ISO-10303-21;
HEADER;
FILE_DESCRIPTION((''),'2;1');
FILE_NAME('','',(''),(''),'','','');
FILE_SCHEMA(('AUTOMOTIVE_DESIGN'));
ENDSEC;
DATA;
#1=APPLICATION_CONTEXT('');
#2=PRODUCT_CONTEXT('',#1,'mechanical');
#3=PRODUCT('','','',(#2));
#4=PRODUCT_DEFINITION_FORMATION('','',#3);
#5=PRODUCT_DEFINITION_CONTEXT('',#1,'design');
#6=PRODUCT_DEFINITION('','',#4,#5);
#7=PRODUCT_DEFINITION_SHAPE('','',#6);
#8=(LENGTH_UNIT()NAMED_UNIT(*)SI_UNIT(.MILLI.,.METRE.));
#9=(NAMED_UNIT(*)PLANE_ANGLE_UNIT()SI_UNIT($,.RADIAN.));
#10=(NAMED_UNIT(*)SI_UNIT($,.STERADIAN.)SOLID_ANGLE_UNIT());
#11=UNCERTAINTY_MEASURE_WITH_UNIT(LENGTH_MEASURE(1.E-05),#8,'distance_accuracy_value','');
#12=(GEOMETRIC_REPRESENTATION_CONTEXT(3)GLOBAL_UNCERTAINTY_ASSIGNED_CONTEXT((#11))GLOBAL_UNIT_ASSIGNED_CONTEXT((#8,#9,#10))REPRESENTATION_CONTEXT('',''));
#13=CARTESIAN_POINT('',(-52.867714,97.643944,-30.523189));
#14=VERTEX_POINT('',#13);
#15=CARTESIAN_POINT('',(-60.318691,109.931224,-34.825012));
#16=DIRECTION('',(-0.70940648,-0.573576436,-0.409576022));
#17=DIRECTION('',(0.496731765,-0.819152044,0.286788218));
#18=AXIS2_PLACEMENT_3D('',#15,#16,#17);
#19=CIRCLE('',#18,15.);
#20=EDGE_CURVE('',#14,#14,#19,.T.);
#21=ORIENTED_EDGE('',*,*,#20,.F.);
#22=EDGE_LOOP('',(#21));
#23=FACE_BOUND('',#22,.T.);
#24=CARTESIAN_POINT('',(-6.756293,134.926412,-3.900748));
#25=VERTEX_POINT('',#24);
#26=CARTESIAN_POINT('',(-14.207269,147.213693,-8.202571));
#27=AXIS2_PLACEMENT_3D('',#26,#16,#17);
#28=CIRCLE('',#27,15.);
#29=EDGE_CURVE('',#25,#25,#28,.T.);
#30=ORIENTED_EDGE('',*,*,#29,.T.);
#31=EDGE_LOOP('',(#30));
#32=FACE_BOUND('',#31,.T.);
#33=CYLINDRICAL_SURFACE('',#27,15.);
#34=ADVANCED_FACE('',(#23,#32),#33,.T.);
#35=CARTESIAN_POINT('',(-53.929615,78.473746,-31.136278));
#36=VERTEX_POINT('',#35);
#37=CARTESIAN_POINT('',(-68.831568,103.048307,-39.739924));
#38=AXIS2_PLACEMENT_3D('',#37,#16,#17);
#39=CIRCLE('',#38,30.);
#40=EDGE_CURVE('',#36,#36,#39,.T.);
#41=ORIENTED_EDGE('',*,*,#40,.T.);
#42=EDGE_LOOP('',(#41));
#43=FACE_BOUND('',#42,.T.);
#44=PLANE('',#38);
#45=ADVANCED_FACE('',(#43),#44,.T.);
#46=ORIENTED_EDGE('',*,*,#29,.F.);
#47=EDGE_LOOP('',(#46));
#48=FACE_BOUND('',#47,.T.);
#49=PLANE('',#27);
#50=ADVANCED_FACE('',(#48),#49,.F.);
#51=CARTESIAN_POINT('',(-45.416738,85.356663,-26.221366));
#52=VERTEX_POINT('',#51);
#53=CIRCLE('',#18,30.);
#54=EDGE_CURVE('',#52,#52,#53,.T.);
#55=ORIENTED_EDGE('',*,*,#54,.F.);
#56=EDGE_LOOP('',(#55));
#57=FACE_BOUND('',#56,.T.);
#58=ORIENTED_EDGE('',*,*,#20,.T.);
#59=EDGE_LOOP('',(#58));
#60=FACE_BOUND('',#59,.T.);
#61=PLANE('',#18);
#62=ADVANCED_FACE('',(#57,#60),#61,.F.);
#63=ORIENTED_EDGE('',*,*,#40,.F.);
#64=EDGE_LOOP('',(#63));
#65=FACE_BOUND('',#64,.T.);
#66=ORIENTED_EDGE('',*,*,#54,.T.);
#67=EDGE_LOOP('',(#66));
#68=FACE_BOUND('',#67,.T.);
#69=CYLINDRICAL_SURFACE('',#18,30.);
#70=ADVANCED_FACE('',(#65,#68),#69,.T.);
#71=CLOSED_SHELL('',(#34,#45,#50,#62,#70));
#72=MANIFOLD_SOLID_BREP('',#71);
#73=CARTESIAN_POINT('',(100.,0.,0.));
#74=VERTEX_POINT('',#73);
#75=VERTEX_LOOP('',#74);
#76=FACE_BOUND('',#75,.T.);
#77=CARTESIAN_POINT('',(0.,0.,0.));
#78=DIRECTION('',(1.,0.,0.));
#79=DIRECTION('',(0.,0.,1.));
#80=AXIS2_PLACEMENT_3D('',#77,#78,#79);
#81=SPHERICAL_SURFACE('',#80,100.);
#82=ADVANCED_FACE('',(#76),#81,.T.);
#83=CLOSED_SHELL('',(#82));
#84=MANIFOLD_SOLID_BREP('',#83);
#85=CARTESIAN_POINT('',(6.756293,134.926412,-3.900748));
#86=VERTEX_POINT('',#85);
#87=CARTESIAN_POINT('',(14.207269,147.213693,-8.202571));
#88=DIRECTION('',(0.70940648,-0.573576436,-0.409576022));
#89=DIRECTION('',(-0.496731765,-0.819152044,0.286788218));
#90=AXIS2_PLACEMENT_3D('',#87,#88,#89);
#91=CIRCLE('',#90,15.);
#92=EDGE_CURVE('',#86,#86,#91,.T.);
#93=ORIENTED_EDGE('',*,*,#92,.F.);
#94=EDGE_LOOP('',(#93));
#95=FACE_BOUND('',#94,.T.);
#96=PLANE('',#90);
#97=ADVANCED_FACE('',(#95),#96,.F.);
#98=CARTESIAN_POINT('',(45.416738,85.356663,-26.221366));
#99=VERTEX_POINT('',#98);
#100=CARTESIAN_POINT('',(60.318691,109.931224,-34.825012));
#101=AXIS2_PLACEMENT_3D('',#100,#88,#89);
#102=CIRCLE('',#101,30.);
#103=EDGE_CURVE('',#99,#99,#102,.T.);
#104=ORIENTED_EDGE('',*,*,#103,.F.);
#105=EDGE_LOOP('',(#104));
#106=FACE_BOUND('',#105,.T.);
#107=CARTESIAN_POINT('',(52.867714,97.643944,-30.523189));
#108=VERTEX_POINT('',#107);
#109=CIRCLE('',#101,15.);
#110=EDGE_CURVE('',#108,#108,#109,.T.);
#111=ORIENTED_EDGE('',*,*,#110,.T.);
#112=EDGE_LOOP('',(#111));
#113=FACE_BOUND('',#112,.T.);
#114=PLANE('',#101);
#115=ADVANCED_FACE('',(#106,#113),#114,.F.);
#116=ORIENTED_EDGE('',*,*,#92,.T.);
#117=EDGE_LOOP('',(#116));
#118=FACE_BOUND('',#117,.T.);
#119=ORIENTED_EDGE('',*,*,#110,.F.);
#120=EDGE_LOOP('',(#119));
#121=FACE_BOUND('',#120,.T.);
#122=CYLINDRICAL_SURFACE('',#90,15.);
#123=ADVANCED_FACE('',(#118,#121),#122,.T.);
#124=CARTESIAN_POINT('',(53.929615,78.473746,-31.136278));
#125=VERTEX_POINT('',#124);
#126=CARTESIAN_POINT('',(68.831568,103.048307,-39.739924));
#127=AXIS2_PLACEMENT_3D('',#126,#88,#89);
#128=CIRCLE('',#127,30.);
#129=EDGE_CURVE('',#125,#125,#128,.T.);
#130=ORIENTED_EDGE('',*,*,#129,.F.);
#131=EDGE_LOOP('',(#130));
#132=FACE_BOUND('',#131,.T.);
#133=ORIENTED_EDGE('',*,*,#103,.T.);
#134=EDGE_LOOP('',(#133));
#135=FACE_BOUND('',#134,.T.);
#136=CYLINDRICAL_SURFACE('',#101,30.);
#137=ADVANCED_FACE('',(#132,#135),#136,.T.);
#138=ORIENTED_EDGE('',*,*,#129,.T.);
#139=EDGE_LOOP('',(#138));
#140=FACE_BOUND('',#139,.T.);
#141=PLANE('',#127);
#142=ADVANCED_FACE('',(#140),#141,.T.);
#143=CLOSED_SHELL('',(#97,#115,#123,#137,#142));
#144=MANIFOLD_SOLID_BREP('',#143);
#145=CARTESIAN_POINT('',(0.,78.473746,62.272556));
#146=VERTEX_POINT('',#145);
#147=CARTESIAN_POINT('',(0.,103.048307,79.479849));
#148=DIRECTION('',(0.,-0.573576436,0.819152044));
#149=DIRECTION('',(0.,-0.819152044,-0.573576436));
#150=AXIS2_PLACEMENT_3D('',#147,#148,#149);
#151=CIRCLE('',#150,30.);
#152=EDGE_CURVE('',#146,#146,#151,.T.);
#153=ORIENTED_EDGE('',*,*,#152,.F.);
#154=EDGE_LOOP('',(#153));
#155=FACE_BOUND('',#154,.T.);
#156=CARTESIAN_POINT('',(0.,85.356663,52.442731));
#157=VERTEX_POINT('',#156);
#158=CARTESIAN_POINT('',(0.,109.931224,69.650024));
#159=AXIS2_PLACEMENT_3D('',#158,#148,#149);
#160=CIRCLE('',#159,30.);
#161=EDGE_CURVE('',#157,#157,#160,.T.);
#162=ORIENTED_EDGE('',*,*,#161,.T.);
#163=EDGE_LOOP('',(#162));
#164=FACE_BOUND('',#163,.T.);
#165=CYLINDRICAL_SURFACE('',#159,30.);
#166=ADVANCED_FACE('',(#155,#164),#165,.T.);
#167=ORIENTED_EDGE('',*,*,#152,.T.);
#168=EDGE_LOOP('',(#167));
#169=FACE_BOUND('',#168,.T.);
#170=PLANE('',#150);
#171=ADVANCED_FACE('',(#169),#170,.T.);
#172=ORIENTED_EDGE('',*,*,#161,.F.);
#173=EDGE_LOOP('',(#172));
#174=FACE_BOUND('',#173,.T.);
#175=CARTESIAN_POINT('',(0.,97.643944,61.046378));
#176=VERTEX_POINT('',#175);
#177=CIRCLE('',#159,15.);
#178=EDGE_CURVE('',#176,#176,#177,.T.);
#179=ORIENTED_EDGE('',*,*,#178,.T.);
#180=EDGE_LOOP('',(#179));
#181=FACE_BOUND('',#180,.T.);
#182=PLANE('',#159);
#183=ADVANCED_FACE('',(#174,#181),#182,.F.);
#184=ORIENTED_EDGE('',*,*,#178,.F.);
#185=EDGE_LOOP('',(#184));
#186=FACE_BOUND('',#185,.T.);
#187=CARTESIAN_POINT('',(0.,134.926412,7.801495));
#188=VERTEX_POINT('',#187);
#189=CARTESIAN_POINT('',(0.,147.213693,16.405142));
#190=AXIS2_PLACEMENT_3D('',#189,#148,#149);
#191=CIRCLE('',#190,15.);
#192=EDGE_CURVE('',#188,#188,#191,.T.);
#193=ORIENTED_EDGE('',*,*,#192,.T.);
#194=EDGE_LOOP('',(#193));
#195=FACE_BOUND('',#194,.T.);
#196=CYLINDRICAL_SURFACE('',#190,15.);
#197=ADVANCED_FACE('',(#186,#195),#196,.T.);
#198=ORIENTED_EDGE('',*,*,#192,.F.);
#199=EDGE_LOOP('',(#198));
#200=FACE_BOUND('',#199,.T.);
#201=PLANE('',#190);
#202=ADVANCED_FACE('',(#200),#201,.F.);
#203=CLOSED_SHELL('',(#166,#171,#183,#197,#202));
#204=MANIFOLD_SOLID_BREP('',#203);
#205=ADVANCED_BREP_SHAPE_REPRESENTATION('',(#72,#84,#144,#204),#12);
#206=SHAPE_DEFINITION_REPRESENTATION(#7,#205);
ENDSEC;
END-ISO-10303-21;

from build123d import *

# Parameters (mm, degrees)
SKETCH5_R                = 30
BOSS_EXTRUDE1_DEPTH      = 6
BOSS_EXTRUDE1_DEPTH_BACK = 6
BOSS_EXTRUDE2_START      = -6
SKETCH5_3_R              = 15
BOSS_EXTRUDE2_DEPTH      = 65
CIRPATTERN1_COUNT        = 3


with BuildPart() as part:
    # Sketch1 one side → Revolve2 (revolve)
    with BuildSketch(Plane(origin=(0, 0, 0), x_dir=(1, 0, 0), z_dir=(0, 1, 0))):
        with BuildLine():
            Line((100, 0), (-100, 0))
            ThreePointArc((-100, 0), (0, -100), (100, 0))
        make_face()
    revolve(axis=Axis((100, 0, 0), (-1, 0, 0)))


with BuildPart() as body_2:
    # Sketch5 → Boss-Extrude1 (new body, two sides)
    with BuildSketch(Plane(origin=(0, 0, 0), x_dir=(1, 0, 0), z_dir=(0, -0.573576436, 0.819152044))) as boss_extrude1_sk:
        with Locations((0, 130)):
            Circle(SKETCH5_R)
    extrude(amount=BOSS_EXTRUDE1_DEPTH)
    extrude(boss_extrude1_sk.sketch, amount=-BOSS_EXTRUDE1_DEPTH_BACK)

    # Sketch5_3 → Boss-Extrude2 (add)
    with BuildSketch(Plane(origin=(0, 0, 0), x_dir=(1, 0, 0), z_dir=(0, -0.573576436, 0.819152044)).offset(BOSS_EXTRUDE2_START)):
        with Locations((0, 130)):
            Circle(SKETCH5_3_R)
    extrude(amount=-BOSS_EXTRUDE2_DEPTH)


with BuildPart() as cirpattern1_1:
    # CirPattern1: pattern copy
    add(body_2.part.rotate(Axis((0, 0, 0), (0, 1, 0)), 1 * 360 / CIRPATTERN1_COUNT))


with BuildPart() as cirpattern1_2:
    # CirPattern1: pattern copy
    add(body_2.part.rotate(Axis((0, 0, 0), (0, 1, 0)), 2 * 360 / CIRPATTERN1_COUNT))


solid = Compound([part.part, body_2.part, cirpattern1_1.part, cirpattern1_2.part])
